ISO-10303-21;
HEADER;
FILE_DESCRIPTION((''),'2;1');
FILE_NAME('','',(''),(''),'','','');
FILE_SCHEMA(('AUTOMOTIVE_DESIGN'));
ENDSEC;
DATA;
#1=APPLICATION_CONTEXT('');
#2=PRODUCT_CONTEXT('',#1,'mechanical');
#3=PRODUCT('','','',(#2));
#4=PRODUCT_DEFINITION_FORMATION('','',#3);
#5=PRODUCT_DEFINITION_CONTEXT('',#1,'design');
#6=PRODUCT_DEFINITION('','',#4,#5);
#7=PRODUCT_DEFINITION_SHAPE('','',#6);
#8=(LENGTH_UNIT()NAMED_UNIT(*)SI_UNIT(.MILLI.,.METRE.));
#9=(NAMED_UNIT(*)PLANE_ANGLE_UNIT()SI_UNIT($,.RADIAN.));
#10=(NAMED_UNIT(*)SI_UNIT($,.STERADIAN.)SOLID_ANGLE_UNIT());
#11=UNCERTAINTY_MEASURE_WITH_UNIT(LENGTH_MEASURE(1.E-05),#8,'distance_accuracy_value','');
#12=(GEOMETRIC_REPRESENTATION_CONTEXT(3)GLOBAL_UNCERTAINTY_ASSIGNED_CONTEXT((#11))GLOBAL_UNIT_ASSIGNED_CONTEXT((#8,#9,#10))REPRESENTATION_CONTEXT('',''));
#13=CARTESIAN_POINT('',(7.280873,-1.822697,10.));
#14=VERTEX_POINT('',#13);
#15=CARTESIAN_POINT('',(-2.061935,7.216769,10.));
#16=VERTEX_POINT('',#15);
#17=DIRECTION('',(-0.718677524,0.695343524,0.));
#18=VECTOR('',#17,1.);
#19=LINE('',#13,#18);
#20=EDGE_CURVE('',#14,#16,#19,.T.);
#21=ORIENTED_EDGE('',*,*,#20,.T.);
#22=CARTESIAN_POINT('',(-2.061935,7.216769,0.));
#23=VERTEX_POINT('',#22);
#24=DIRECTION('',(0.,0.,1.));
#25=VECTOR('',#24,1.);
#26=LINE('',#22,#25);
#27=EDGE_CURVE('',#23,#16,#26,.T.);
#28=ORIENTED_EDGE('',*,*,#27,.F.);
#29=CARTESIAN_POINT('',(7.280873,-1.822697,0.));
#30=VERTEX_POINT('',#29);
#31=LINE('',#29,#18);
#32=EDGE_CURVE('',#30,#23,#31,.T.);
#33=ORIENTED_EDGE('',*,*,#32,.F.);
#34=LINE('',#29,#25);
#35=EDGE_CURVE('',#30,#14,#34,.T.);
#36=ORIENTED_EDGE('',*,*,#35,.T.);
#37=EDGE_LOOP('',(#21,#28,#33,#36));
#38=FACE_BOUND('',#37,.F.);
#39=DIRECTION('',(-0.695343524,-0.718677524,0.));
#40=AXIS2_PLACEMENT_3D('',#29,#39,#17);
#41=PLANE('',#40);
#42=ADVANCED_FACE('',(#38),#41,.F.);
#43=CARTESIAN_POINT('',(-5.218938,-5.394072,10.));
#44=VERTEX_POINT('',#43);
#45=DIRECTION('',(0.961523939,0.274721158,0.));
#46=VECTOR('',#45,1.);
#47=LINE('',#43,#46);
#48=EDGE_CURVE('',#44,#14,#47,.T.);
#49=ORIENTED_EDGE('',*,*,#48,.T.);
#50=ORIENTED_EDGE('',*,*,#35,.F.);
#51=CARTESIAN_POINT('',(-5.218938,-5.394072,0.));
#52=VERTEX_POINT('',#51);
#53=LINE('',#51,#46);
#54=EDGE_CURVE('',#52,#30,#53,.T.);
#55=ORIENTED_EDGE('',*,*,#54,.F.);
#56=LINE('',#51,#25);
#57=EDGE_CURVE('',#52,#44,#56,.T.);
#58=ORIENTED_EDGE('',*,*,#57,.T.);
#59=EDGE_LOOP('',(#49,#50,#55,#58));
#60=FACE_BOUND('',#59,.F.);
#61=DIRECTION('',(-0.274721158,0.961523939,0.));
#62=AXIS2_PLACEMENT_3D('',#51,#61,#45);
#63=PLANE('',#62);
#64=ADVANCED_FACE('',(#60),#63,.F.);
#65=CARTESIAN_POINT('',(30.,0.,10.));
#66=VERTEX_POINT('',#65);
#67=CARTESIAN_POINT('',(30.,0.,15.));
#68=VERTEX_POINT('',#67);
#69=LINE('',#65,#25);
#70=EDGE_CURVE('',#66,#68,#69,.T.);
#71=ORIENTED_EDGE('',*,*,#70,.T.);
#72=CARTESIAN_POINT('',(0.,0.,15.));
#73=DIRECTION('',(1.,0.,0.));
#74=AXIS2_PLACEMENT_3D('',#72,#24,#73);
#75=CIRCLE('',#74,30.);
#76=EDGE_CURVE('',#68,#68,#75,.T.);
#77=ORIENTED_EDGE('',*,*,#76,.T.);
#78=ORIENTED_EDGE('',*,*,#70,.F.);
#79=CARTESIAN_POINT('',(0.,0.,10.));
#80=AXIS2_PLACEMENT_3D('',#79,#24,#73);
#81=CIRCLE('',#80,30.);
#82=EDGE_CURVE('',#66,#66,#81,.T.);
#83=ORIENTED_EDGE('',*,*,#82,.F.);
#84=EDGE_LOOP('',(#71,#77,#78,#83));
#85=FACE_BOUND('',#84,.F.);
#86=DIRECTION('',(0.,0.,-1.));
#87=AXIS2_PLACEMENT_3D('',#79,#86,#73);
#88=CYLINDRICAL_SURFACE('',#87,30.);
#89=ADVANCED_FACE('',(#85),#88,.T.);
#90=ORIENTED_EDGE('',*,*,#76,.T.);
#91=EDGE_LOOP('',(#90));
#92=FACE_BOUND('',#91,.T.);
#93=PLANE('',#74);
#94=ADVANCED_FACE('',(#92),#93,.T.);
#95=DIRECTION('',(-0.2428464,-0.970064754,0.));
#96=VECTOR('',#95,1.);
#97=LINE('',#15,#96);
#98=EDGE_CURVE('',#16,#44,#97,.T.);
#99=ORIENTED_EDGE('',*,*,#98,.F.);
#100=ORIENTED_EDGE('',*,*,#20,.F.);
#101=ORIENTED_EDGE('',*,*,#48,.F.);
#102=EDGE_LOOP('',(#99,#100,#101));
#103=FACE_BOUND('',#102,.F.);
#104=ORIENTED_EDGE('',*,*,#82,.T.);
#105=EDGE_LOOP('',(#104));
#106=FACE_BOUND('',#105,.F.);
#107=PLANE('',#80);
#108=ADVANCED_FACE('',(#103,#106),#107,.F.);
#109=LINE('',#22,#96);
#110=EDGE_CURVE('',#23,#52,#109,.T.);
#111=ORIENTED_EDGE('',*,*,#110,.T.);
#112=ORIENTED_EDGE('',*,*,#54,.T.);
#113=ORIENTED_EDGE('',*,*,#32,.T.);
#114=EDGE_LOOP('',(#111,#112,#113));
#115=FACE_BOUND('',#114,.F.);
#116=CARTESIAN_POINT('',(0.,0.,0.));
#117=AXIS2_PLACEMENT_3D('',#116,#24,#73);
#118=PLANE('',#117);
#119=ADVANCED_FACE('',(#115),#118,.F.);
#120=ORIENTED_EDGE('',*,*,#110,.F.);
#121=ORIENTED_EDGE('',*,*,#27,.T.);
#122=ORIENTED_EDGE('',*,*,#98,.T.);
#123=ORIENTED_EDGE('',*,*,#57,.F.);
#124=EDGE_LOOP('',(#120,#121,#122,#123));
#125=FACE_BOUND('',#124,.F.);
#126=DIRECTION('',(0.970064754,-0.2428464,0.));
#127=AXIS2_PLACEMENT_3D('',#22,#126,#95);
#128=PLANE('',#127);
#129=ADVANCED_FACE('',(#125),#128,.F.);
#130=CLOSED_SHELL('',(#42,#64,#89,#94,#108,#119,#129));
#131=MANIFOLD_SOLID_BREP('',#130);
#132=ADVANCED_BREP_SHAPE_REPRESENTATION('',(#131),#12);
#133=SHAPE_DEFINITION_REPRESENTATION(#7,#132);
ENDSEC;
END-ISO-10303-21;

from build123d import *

# Parameters (mm, degrees)
F1_DEPTH = 10
F2_R     = 30
F3_DEPTH = 5


with BuildPart() as f1:
    # F0 (on Top) → F1 (new body)
    with BuildSketch(Plane.XY):
        Polygon((-2.061935, 7.216769), (-5.218938, -5.394072), (7.280873, -1.822697), align=None)
    extrude(amount=F1_DEPTH)

    # F2 (on face) → F3 (join)
    with BuildSketch(Plane.XY.offset(10)):
        Circle(F2_R)
    extrude(amount=F3_DEPTH)


solid = f1.part
